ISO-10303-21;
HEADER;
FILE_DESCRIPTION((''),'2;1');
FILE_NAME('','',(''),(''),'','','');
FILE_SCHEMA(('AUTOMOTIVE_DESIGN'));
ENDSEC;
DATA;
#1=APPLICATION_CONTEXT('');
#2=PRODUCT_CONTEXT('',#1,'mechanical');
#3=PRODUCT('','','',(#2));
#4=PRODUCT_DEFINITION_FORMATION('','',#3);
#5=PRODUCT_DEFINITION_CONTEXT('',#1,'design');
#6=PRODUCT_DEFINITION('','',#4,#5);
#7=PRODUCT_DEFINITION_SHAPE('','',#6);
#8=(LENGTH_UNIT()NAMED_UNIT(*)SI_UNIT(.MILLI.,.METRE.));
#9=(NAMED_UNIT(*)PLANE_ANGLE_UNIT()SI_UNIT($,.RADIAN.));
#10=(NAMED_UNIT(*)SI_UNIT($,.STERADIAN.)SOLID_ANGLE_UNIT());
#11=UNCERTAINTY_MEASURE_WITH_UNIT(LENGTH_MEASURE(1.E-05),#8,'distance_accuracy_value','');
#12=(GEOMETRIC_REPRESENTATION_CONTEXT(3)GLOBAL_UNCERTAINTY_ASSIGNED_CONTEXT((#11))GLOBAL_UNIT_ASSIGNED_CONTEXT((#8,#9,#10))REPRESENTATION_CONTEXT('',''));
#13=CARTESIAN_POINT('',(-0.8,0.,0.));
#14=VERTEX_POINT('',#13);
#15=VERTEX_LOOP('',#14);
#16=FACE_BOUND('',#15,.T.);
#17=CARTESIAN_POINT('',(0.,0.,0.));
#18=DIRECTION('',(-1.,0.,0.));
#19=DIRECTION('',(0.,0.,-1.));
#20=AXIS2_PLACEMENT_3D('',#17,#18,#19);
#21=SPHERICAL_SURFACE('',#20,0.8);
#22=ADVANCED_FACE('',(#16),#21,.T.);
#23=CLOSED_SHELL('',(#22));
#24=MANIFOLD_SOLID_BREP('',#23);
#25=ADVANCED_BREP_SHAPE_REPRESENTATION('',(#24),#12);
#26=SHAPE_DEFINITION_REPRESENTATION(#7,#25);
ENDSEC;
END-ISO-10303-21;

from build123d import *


with BuildPart() as part:
    # Sketch2 → Revolve1 (revolve)
    with BuildSketch(Plane(origin=(0, 0, 0), x_dir=(1, 0, 0), z_dir=(0, 1, 0))):
        with BuildLine():
            Line((-0.8, 0), (0.8, 0))
            ThreePointArc((0.8, 0), (0, 0.8), (-0.8, 0))
        make_face()
    revolve(axis=Axis((-0.8, 0, 0), (1, 0, 0)))


solid = part.part
